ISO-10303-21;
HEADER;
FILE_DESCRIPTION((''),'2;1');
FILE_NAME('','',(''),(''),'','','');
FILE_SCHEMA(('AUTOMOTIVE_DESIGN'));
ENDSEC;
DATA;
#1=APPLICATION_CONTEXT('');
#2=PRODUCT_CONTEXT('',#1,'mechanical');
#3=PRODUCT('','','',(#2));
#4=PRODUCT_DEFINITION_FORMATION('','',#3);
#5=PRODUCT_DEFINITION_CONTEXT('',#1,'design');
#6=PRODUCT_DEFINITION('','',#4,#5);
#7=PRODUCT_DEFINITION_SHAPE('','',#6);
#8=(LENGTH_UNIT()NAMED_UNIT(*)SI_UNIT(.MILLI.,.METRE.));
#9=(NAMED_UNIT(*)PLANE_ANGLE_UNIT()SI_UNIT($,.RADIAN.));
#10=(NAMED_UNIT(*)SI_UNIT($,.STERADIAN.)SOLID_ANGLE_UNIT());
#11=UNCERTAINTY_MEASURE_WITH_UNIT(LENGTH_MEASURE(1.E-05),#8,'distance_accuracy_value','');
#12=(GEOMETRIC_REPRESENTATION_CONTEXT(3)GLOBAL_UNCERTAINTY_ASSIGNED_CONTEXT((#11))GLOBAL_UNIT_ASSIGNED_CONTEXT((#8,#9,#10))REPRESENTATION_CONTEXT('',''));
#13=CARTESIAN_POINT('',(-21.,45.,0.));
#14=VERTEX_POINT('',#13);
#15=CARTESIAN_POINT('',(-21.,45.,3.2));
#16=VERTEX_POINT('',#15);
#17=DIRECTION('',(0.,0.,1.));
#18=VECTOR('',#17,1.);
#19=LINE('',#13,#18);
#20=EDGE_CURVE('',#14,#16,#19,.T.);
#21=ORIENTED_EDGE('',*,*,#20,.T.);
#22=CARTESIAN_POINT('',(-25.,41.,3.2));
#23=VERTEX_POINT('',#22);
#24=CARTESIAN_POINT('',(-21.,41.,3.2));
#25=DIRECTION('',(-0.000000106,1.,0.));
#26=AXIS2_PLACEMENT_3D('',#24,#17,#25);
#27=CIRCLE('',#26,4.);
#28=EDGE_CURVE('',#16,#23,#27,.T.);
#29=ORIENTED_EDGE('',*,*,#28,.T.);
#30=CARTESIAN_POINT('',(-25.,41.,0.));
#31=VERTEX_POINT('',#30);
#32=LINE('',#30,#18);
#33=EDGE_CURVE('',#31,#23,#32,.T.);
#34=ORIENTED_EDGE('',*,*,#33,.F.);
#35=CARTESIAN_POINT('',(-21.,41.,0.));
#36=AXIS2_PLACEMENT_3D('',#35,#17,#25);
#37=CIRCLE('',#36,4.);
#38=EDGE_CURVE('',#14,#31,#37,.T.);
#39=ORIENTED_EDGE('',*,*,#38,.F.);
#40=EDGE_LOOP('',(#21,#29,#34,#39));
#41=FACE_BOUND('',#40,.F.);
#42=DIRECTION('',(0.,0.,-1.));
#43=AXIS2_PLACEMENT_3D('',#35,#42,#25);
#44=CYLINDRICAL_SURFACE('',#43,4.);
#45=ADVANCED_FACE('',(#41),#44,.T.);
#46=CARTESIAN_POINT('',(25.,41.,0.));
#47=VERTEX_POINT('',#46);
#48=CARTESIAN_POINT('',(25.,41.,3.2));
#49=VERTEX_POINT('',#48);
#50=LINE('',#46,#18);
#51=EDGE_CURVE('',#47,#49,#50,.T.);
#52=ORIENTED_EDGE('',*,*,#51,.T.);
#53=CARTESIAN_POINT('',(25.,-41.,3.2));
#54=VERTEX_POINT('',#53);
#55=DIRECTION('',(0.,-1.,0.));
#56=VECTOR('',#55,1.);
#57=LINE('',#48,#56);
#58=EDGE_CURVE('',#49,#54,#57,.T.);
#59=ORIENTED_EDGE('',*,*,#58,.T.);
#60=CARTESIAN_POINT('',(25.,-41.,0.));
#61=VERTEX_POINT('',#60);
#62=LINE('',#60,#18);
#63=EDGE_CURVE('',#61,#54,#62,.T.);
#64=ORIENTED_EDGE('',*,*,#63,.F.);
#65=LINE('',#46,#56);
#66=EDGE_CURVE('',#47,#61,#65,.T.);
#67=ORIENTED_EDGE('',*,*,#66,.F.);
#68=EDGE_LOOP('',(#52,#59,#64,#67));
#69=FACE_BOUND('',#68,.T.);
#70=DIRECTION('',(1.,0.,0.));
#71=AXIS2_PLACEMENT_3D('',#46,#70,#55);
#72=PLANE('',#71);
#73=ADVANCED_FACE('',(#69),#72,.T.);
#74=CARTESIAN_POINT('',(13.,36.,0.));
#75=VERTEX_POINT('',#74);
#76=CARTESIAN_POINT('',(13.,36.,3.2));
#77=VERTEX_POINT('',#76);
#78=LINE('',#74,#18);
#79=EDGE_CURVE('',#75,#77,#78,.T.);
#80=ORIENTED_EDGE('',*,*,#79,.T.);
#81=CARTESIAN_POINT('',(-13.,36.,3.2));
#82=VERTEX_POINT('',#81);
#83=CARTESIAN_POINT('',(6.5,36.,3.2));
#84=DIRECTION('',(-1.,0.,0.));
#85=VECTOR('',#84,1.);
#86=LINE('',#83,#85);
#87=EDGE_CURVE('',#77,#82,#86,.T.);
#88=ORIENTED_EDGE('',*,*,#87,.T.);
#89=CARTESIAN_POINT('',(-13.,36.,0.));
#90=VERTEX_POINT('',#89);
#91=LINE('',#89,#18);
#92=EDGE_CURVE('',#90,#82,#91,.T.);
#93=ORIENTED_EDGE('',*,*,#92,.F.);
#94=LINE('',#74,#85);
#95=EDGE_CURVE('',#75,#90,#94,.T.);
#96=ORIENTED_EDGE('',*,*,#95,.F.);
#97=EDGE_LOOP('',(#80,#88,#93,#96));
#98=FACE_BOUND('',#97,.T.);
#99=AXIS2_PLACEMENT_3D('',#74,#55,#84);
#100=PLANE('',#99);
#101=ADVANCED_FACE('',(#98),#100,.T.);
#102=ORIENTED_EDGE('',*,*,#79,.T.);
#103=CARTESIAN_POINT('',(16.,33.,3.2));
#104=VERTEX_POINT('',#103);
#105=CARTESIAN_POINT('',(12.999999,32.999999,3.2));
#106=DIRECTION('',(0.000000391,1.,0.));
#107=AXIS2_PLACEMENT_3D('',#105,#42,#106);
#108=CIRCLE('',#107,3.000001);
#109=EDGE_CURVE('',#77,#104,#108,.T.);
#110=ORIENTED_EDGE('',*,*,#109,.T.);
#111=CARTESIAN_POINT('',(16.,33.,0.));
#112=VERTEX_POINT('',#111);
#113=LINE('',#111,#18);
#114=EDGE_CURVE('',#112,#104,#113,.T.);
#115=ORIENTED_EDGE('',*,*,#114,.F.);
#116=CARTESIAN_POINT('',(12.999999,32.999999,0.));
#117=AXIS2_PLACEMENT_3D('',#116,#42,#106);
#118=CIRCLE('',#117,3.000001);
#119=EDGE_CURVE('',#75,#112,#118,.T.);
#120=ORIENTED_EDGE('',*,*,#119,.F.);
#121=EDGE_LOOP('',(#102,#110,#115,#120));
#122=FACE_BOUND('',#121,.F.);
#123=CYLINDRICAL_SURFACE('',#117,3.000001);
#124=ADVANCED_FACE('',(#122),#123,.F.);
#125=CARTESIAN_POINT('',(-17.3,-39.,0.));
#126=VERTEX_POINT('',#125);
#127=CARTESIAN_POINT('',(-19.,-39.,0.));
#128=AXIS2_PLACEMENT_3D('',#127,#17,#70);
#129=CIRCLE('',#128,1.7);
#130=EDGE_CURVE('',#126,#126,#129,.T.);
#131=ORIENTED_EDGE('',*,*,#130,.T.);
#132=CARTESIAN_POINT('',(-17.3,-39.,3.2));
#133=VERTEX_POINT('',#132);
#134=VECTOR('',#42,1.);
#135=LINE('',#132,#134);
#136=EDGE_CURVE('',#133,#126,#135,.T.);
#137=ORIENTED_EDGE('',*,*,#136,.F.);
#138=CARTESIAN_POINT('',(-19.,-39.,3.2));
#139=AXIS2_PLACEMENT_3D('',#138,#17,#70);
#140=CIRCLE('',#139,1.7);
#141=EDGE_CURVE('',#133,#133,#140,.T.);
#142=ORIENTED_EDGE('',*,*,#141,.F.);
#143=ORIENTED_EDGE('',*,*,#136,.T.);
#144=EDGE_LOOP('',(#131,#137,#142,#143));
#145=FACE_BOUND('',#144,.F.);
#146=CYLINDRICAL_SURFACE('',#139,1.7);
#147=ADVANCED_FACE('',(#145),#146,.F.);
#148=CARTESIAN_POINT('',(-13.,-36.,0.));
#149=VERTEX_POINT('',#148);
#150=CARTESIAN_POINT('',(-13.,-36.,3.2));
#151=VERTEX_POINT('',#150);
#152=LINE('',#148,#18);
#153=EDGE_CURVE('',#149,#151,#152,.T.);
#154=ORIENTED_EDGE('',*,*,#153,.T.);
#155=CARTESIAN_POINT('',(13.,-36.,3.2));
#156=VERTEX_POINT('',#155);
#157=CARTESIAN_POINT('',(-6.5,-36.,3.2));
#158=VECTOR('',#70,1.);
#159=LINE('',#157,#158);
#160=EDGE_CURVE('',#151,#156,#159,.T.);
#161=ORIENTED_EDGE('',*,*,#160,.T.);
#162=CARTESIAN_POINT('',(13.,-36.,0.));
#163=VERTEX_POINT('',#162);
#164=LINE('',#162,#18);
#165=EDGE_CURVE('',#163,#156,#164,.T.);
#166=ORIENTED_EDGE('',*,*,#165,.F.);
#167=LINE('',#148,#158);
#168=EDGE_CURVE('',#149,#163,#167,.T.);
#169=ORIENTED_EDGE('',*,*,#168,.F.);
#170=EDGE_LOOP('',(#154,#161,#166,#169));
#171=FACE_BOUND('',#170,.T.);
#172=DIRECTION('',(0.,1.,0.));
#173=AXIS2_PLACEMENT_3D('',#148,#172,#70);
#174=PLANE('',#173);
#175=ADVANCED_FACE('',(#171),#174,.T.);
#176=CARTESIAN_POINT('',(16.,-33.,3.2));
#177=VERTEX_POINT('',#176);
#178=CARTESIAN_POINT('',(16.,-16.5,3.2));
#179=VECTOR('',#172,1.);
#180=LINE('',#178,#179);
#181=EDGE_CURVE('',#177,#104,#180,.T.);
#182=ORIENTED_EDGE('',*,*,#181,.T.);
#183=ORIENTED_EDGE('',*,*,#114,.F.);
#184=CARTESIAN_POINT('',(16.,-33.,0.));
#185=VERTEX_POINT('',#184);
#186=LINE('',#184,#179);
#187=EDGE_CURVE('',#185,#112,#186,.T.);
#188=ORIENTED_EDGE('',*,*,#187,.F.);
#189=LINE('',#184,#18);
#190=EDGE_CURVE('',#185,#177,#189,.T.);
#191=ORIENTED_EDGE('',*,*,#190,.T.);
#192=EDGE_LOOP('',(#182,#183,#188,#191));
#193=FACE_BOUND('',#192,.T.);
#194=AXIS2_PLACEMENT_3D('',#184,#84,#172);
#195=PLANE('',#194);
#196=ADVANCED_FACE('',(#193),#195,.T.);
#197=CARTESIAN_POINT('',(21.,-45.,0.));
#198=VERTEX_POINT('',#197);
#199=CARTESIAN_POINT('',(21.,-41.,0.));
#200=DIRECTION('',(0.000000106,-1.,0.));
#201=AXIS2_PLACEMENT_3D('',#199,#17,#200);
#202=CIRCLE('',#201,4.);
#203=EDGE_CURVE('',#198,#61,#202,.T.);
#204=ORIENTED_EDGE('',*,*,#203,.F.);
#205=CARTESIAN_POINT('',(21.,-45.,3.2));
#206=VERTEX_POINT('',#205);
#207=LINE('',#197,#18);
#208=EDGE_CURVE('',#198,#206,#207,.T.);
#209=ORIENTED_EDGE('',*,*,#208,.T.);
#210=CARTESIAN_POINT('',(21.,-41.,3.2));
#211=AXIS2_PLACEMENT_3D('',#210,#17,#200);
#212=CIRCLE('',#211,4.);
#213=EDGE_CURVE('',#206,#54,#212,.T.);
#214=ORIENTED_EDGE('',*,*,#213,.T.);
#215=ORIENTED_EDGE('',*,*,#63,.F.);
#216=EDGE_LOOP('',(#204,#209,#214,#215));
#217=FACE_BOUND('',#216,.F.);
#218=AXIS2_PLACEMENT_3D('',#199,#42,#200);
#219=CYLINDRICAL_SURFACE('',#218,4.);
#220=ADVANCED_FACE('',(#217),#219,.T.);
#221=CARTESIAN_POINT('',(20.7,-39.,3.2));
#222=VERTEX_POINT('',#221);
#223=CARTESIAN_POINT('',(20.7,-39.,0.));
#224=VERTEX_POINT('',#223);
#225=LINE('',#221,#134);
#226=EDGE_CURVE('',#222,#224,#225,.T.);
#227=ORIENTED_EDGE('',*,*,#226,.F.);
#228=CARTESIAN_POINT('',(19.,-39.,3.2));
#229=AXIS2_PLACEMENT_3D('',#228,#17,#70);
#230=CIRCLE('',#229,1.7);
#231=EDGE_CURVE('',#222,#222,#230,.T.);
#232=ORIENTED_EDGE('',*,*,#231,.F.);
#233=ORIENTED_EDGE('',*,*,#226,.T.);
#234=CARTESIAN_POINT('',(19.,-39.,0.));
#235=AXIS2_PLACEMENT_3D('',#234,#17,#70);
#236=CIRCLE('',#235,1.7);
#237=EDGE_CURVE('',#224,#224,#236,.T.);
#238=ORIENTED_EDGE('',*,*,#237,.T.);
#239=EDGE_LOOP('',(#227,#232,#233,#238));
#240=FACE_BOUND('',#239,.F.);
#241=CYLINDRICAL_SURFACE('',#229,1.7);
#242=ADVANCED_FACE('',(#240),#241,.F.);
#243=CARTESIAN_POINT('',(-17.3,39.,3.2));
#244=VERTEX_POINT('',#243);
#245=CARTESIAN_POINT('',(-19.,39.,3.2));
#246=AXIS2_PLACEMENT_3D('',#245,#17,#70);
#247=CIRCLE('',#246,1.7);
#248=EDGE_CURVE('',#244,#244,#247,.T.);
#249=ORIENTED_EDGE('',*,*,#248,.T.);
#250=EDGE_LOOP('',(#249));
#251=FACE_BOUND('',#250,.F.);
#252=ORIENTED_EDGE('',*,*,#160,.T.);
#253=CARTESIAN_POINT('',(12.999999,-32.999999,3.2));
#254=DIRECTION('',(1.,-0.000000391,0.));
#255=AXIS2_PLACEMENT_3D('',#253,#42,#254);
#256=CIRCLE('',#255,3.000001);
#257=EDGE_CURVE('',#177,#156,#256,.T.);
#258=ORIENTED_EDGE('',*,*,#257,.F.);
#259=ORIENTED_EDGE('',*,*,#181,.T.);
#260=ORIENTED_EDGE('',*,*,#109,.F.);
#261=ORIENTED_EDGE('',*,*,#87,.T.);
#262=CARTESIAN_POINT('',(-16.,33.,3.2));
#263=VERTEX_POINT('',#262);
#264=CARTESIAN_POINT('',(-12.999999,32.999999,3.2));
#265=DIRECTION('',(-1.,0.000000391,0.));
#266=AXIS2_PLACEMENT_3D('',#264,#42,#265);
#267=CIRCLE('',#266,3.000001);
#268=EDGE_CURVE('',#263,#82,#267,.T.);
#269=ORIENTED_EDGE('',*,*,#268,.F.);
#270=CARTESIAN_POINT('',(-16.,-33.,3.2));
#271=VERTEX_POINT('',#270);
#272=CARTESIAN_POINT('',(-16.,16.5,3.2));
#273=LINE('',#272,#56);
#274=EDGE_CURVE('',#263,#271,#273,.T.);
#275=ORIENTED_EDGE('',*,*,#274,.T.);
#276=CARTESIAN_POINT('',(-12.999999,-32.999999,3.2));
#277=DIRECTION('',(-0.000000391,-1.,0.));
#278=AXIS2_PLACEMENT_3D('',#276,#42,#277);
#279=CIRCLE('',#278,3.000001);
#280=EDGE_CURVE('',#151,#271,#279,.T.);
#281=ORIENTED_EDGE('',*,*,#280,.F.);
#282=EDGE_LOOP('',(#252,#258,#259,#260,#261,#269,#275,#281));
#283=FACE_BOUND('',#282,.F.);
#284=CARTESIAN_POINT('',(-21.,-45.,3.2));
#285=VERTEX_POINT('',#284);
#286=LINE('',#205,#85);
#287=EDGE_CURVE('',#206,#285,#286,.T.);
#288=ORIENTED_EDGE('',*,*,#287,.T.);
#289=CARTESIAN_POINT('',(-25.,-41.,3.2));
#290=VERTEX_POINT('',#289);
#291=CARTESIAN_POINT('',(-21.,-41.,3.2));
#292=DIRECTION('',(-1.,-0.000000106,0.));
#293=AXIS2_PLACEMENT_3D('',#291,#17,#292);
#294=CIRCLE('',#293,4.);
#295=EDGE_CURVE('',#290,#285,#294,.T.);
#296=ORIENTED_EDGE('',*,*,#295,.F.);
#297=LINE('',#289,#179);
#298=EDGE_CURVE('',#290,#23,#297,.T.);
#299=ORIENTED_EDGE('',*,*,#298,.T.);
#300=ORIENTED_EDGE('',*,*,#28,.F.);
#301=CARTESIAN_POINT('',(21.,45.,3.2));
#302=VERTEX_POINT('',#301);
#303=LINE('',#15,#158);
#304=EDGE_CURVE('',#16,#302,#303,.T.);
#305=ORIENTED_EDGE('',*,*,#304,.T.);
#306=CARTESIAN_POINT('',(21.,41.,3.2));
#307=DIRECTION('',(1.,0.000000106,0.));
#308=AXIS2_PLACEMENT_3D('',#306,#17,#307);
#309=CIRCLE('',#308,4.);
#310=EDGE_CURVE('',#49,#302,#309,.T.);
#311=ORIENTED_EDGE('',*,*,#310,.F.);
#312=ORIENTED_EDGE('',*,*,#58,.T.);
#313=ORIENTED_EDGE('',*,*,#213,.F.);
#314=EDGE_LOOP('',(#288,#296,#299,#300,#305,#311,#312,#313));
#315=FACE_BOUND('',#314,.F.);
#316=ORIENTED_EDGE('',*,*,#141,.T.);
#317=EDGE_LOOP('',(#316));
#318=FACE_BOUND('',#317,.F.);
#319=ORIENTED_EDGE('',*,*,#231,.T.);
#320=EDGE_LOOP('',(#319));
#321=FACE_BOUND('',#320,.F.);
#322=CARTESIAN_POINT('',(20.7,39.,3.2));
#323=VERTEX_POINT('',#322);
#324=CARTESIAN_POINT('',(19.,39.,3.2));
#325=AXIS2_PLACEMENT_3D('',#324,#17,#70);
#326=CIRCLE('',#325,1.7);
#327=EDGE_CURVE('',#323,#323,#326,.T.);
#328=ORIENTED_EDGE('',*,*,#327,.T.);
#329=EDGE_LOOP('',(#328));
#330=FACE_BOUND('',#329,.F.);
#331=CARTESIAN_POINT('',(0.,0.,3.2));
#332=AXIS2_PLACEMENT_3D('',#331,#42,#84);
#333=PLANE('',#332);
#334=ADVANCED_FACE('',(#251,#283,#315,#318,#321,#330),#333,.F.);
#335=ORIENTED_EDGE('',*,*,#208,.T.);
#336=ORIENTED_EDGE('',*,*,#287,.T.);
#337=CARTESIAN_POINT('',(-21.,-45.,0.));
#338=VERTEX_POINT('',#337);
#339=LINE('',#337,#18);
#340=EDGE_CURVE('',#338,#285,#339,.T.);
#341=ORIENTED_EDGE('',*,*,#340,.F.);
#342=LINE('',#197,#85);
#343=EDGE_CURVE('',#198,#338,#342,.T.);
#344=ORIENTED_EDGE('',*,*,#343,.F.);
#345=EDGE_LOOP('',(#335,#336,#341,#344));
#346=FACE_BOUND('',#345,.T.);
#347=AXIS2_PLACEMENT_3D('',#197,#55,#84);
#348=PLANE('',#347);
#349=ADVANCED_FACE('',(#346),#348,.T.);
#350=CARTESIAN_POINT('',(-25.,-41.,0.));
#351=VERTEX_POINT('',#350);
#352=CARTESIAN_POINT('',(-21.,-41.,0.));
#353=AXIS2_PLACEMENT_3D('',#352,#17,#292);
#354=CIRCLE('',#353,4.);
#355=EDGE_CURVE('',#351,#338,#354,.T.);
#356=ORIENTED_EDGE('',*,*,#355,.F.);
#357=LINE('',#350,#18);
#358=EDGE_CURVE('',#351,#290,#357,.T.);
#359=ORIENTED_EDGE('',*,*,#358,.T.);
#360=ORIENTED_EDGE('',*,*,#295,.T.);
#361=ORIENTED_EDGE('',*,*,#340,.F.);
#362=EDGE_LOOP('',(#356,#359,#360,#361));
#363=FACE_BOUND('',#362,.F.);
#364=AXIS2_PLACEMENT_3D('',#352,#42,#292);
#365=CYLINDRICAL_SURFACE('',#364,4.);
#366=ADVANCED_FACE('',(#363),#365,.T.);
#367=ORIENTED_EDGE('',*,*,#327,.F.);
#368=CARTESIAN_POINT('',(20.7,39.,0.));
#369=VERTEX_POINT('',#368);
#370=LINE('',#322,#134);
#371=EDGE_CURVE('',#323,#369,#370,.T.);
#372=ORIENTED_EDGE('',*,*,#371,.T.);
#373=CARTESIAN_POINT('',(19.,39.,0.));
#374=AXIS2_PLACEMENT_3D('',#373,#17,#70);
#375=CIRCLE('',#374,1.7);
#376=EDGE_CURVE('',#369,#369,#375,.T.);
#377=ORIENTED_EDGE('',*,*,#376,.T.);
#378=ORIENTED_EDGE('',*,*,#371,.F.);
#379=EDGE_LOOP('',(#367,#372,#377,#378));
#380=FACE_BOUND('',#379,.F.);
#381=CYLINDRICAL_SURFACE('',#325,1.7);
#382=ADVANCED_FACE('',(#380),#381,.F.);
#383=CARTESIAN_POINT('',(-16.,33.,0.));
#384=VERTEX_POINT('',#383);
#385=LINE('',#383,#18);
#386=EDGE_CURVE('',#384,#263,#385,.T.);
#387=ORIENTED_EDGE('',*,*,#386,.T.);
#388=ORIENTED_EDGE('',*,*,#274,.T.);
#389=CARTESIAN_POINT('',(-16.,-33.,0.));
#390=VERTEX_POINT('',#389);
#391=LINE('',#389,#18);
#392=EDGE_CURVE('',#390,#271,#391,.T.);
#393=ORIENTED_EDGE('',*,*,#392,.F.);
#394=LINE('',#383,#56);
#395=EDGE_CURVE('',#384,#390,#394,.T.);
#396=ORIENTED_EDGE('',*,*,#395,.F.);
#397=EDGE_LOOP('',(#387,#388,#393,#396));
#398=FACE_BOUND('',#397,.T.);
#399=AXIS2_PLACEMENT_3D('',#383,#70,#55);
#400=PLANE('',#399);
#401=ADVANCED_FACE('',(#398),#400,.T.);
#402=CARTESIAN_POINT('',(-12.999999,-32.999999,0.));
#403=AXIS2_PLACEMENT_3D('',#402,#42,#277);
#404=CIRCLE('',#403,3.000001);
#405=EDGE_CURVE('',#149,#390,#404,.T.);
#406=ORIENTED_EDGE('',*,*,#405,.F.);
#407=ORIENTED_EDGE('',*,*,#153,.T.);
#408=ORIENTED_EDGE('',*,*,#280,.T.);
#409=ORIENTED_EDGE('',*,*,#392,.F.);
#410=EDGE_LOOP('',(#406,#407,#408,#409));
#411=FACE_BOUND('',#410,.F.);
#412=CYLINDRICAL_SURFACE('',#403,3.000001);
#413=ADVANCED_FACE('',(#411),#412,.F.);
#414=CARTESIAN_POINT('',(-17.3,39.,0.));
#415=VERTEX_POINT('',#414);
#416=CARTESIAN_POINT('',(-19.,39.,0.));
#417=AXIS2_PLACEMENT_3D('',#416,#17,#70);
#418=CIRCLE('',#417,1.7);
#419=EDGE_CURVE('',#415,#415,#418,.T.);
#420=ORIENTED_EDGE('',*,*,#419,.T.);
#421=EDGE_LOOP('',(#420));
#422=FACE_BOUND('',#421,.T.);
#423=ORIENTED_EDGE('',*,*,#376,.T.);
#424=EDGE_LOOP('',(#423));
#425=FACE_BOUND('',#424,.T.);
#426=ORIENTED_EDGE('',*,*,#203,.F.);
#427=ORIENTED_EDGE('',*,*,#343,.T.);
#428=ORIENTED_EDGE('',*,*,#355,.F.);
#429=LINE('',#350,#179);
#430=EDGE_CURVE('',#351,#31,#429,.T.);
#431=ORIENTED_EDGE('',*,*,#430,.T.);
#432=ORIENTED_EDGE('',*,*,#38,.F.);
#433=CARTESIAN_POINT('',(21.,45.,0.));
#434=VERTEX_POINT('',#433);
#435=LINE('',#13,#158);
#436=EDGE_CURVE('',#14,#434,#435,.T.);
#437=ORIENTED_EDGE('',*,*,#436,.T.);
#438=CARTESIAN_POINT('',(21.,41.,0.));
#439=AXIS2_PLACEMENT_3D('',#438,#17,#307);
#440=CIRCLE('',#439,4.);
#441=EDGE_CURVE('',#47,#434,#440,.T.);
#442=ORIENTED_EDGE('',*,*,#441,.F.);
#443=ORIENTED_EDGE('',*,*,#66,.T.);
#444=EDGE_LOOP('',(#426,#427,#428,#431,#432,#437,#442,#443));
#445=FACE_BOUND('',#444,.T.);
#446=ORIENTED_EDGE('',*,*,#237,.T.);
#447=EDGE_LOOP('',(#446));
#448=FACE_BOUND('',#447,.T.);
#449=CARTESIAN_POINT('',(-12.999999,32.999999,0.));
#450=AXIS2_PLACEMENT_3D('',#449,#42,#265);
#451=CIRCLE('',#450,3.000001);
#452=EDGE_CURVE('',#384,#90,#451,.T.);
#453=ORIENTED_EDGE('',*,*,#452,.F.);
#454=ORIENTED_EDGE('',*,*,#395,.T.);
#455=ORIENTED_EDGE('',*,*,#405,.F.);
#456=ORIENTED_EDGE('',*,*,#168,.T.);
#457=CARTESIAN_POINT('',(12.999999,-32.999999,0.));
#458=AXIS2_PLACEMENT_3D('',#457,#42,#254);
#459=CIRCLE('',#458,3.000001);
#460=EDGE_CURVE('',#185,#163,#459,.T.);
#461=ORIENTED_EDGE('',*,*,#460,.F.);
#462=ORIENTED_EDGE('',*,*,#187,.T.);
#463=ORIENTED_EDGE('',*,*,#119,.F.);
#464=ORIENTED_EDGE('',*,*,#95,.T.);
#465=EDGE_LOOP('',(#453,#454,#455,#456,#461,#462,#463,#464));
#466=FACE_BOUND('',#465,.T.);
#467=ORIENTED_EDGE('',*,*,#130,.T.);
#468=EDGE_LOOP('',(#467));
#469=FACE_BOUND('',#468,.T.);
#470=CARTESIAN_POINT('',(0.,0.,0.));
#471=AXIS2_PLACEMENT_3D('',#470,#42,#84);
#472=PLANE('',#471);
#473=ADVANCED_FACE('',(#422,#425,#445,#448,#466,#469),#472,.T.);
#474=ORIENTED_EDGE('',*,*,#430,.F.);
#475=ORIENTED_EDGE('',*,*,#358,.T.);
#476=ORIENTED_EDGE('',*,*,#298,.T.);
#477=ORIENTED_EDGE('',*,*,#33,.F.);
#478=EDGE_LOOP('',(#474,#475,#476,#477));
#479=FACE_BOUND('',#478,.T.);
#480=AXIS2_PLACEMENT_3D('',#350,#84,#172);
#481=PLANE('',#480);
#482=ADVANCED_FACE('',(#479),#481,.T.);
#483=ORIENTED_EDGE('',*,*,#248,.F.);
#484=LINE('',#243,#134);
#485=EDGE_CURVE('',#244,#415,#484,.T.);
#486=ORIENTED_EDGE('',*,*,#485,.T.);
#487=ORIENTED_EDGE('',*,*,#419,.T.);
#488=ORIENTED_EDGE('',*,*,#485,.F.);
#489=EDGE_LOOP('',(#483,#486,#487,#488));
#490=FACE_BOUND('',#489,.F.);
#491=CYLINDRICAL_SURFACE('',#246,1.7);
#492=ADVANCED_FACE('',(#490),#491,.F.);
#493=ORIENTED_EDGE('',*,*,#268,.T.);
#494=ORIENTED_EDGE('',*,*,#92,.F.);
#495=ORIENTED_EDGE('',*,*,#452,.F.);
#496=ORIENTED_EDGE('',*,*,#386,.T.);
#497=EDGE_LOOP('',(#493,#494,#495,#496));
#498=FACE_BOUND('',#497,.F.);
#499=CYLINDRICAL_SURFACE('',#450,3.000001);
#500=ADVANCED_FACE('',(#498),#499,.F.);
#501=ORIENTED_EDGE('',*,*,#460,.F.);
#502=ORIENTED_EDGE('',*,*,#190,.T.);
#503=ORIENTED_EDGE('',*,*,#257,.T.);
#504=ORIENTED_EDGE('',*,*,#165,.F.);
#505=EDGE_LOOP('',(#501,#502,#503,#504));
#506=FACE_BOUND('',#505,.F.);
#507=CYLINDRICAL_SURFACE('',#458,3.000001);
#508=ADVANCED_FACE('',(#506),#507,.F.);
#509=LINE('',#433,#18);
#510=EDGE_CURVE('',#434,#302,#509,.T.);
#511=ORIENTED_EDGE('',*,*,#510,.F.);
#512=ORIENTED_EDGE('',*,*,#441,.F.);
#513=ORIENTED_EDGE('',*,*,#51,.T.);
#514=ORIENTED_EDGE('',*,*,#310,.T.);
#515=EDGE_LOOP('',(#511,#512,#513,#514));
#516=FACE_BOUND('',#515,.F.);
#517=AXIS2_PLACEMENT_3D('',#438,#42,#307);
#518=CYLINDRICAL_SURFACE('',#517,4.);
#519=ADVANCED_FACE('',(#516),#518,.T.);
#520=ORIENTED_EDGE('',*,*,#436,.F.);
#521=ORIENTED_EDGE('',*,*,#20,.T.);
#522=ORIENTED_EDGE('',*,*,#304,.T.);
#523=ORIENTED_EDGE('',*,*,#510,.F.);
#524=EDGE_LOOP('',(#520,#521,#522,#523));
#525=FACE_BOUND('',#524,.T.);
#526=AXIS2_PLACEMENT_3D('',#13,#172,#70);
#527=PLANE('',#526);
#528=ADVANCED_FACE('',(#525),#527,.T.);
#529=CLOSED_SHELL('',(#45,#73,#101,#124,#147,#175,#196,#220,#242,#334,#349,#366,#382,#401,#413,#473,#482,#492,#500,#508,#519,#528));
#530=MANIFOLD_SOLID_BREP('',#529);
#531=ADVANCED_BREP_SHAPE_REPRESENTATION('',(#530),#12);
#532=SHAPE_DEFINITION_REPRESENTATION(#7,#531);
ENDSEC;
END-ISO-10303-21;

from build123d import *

# Parameters (mm, degrees)
PAD_DEPTH       = 3.2
SKETCH007_R     = 1.7
POCKET003_DEPTH = 3.201
POCKET_DEPTH    = 3.201


with BuildPart() as part:
    # Sketch → Pad (new body)
    with BuildSketch(Plane.XY):
        with BuildLine():
            Line((-21, 45), (21, 45))
            ThreePointArc((25, 41), (23.828427, 43.828427), (21, 45))
            Line((25, 41), (25, -41))
            ThreePointArc((21, -45), (23.828427, -43.828427), (25, -41))
            Line((21, -45), (-21, -45))
            ThreePointArc((-25, -41), (-23.828427, -43.828427), (-21, -45))
            Line((-25, -41), (-25, 41))
            ThreePointArc((-21, 45), (-23.828427, 43.828427), (-25, 41))
        make_face()
    extrude(amount=PAD_DEPTH)

    # Sketch007 → Pocket003 (cut, through all)
    with BuildSketch(Plane.XY.offset(3.2)):
        with Locations((-19, 39)):
            Circle(SKETCH007_R)
        with Locations((19, 39)):
            Circle(SKETCH007_R)
        with Locations((-19, -39)):
            Circle(SKETCH007_R)
        with Locations((19, -39)):
            Circle(SKETCH007_R)
    extrude(amount=-POCKET003_DEPTH, mode=Mode.SUBTRACT)

    # Sketch001 (on Face9 of Pad) → Pocket (cut, through all)
    with BuildSketch(Plane(origin=(0, 0, 0), x_dir=(1, 0, 0), z_dir=(0, 0, -1))):
        with BuildLine():
            Line((-13, 36), (13, 36))
            ThreePointArc((16, 33), (15.12132, 35.12132), (13, 36))
            Line((16, 33), (16, -33))
            ThreePointArc((13, -36), (15.12132, -35.12132), (16, -33))
            Line((13, -36), (-13, -36))
            ThreePointArc((-16, -33), (-15.12132, -35.12132), (-13, -36))
            Line((-16, -33), (-16, 33))
            ThreePointArc((-13, 36), (-15.12132, 35.12132), (-16, 33))
        make_face()
    extrude(amount=-POCKET_DEPTH, mode=Mode.SUBTRACT)


solid = part.part
